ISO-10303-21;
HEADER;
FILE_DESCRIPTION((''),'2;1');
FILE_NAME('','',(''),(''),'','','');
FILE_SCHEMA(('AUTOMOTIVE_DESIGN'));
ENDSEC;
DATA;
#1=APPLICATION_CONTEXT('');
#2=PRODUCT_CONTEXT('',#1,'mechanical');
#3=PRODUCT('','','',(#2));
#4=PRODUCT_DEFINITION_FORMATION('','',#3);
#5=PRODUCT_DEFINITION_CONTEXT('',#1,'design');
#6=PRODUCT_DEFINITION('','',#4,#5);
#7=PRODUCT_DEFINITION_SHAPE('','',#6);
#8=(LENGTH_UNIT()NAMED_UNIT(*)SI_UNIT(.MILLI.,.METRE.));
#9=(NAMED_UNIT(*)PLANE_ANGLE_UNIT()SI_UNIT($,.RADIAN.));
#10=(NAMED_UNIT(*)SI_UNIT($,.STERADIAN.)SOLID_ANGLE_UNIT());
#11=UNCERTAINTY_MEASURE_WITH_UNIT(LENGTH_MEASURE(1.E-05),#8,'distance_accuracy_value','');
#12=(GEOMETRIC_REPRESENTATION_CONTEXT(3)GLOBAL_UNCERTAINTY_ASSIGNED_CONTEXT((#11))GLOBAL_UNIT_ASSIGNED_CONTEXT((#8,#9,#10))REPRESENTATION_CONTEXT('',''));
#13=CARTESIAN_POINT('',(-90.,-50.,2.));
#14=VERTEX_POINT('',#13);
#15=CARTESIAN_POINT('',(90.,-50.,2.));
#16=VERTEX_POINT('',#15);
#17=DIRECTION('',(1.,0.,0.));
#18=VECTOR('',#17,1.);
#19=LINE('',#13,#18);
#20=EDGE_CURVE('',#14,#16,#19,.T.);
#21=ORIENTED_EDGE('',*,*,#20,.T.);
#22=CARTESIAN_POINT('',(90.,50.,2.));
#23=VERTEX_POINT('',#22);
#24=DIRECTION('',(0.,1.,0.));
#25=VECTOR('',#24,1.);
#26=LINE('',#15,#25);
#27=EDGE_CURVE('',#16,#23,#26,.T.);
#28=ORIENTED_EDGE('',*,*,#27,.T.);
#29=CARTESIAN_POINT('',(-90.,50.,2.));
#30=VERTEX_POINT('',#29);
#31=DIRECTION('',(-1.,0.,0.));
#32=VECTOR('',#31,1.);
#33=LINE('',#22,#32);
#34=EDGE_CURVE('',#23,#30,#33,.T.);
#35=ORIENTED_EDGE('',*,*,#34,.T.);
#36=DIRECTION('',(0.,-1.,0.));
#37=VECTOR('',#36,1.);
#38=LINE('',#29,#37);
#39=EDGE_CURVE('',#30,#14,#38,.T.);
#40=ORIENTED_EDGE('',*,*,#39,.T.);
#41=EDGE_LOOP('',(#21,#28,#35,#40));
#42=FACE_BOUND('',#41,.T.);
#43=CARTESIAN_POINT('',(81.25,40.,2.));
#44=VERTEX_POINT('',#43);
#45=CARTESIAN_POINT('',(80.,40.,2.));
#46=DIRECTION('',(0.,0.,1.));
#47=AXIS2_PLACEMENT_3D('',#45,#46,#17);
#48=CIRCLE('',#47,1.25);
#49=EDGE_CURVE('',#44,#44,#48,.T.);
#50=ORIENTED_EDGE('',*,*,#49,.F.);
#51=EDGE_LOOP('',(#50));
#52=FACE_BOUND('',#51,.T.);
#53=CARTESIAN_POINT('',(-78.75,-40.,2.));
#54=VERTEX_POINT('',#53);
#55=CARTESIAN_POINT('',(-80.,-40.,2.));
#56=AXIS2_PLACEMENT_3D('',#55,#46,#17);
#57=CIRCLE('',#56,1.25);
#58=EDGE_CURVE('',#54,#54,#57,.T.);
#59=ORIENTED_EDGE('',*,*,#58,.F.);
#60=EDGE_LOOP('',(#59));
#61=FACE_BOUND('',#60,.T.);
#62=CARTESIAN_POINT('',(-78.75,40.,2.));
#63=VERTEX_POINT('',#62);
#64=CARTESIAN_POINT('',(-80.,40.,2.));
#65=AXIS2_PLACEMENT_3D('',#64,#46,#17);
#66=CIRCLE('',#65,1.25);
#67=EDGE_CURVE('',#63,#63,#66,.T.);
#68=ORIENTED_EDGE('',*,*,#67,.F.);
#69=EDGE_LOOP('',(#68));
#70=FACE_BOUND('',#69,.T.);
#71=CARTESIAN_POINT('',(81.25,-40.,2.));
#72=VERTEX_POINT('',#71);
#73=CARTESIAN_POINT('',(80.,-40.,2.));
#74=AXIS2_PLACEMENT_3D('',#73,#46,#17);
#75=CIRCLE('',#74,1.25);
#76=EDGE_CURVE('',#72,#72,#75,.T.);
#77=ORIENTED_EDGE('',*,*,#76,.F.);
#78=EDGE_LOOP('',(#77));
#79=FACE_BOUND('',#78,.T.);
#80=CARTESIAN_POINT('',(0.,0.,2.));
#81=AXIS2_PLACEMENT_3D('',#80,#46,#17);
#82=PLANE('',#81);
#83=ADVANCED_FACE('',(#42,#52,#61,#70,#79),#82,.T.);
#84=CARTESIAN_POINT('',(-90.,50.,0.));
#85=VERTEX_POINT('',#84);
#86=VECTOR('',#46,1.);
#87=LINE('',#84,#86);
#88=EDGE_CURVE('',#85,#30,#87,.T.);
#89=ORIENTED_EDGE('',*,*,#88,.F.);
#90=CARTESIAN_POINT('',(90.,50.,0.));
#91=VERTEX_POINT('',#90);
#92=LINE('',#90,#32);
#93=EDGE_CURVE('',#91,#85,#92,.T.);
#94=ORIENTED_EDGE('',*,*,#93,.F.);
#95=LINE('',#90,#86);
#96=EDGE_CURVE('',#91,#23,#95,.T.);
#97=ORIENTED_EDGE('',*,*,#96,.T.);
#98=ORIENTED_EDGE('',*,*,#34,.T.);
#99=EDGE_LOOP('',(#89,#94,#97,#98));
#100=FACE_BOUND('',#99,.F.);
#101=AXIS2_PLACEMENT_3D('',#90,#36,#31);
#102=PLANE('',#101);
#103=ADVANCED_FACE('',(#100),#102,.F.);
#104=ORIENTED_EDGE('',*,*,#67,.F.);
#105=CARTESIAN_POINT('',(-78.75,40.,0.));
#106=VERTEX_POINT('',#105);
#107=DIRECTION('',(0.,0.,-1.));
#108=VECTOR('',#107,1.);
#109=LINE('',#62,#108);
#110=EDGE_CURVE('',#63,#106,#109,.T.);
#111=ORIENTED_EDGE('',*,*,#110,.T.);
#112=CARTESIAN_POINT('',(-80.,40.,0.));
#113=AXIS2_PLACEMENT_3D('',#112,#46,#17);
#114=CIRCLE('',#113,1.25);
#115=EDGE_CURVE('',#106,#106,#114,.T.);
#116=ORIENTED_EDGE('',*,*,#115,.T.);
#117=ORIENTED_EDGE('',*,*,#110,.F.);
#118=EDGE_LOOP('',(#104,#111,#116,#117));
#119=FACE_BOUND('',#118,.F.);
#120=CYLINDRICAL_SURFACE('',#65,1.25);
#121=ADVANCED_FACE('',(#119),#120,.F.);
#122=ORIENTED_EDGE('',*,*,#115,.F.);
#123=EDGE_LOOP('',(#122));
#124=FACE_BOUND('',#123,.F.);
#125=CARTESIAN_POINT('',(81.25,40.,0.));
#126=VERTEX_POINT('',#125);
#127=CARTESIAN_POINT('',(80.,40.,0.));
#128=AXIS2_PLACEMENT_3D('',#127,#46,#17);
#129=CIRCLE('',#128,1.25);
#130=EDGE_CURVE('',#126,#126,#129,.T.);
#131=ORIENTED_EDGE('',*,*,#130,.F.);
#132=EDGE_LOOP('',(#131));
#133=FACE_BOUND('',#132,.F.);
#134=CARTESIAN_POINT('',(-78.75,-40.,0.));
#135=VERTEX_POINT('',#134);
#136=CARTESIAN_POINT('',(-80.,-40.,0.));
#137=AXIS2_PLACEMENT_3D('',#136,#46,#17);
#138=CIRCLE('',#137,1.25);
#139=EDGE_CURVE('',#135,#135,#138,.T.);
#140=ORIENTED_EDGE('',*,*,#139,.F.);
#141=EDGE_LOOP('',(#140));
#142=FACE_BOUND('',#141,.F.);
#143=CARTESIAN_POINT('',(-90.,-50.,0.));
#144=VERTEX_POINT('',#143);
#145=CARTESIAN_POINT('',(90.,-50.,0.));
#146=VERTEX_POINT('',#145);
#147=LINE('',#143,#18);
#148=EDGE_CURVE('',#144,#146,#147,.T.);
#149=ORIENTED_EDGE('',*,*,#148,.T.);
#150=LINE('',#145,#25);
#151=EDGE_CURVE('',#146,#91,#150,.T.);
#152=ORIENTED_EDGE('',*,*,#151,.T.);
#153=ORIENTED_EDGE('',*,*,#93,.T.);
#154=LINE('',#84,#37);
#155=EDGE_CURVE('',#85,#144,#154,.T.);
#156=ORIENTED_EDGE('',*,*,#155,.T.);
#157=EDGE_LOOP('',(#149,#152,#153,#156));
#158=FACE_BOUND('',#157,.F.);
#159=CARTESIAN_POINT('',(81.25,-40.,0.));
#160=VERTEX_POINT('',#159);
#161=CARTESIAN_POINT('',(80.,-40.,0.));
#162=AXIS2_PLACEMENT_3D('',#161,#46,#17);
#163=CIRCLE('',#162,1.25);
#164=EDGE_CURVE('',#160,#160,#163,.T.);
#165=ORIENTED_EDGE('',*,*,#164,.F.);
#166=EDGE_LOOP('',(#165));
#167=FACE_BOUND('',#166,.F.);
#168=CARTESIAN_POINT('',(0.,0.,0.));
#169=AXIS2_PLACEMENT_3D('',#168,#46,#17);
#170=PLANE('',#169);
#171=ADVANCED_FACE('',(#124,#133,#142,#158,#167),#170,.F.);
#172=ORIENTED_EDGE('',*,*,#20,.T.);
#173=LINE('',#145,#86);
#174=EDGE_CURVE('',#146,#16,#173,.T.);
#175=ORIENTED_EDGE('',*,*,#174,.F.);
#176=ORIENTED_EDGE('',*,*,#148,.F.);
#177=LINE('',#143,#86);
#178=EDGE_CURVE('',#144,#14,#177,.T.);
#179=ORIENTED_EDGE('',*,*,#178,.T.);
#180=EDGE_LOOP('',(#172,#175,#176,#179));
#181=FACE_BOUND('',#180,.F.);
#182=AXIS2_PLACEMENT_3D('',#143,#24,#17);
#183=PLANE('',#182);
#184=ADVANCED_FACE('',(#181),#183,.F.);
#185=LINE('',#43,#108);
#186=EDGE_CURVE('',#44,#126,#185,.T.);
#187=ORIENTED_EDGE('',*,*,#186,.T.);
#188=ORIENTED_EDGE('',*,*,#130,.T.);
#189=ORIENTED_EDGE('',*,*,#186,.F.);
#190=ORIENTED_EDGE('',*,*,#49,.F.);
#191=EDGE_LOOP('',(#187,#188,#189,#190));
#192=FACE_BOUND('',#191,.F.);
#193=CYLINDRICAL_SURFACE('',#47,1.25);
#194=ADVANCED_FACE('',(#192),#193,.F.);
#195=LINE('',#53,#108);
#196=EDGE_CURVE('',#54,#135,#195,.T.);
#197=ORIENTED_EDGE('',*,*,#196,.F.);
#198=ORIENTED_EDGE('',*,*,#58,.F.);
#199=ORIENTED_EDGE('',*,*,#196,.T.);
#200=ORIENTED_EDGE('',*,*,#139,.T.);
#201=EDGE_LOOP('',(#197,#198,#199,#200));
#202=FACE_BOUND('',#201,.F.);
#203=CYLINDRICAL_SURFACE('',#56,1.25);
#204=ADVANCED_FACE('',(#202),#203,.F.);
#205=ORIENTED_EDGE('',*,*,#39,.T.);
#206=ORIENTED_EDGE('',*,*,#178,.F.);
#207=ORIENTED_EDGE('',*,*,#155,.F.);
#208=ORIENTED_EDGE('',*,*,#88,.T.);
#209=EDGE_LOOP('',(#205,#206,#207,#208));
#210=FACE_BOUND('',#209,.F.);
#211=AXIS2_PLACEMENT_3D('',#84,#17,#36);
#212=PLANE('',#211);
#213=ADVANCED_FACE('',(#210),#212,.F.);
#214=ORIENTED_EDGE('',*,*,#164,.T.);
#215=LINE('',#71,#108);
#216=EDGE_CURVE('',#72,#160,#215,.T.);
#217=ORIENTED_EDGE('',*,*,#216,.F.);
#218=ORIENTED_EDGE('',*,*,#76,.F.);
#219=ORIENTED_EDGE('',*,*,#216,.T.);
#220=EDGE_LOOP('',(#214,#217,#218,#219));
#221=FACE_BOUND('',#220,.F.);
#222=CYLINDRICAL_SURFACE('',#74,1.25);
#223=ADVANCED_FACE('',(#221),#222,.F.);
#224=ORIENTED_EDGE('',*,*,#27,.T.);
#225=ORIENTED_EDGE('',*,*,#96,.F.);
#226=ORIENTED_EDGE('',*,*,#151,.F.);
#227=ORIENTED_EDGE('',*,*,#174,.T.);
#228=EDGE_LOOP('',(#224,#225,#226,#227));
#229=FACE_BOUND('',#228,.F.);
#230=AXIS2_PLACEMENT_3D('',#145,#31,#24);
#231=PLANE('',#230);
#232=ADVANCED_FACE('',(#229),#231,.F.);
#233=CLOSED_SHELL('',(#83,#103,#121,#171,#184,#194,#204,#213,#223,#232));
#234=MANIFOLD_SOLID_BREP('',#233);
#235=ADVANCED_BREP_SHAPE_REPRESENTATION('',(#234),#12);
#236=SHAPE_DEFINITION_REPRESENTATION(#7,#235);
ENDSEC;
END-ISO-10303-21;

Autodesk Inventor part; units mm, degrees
ref_plane "YZ Plane" through (0, 0, 0) normal (1, 0, 0) x (0, 1, 0)
ref_plane "XZ Plane" through (0, 0, 0) normal (0, 1, 0) x (-1, 0, 0)
ref_plane "XY Plane" through (0, 0, 0) normal (0, 0, 1) x (1, 0, 0)
sketch "Sketch1" plane through (0, 0, 0) normal (0, 0, 1) x (1, 0, 0)
  line L0 (-90, -50) -> (90, -50)
  line L1 (90, -50) -> (90, 50)
  line L2 (90, 50) -> (-90, 50)
  line L3 (-90, 50) -> (-90, -50)
  line L4 (-90, -50) -> (90, 50) construction
  line L5 (90, -50) -> (-90, 50) construction
  point P0 (0, 0)
  dimension "d0" = 180
  dimension "d1" = 100
extrude "Extrusion1" add sketch "Sketch1" along normal blind 2
sketch "Sketch2" plane through (0, 0, 2) normal (0, 0, 1) x (1, 0, 0)
  line L0 (-89.9951, 47.8948) -> (90.667, 47.8948) construction
  line L1 (90.667, 47.8948) -> (90.667, -44.4596) construction
  line L2 (90.667, -44.4596) -> (-89.9951, -44.4596) construction
  line L3 (-89.9951, -44.4596) -> (-89.9951, 47.8948) construction
sketch "Sketch3" plane through (0, 0, 2) normal (0, 0, 1) x (1, 0, 0)
  circle A0 centre (-80, 40) radius 1.25
  line L0 (-126.1334, 0) -> (126.8004, 0) projected
  line L1 (0, -70) -> (0, 70) projected
  circle A1 centre (80, 40) radius 1.25
  circle A2 centre (-80, -40) radius 1.25
  circle A3 centre (80, -40) radius 1.25
  line L2 (90, 50) -> (-90, 50) projected
  line L3 (-90, 50) -> (-90, -50) projected
  point P0 (0, 0)
  dimension "d21" = 2.5
  dimension "d23" = 10
  dimension "d24" = 10
extrude "Extrusion2" cut sketch "Sketch3" against normal up to next contours A0 | A1 | A2 | A3
equation "\"d0\" = l_infosign"
equation "\"d1\" = w_infosign"
equation "\"wl_panel\" = 285"
equation "\"t_panel\" = 8"
equation "\"r_button\" = 8"
equation "\"l_stereo\" = 178"
equation "\"d_stereo\" = 177"
equation "\"w_label\" = 15"
equation "\"r_labelscrew\" = 2.5"
equation "\"ro_labelscrew\" = 5"
equation "\"l_buttontobutton\" = 25"
equation "\"r_usboutlet\" = 29"
equation "\"l_fastener_button\" = 19"
equation "\"w_infosign\" = 100"
equation "\"l_infosign\" = 180"
properties part number "infosign" material "Stainless Steel"
